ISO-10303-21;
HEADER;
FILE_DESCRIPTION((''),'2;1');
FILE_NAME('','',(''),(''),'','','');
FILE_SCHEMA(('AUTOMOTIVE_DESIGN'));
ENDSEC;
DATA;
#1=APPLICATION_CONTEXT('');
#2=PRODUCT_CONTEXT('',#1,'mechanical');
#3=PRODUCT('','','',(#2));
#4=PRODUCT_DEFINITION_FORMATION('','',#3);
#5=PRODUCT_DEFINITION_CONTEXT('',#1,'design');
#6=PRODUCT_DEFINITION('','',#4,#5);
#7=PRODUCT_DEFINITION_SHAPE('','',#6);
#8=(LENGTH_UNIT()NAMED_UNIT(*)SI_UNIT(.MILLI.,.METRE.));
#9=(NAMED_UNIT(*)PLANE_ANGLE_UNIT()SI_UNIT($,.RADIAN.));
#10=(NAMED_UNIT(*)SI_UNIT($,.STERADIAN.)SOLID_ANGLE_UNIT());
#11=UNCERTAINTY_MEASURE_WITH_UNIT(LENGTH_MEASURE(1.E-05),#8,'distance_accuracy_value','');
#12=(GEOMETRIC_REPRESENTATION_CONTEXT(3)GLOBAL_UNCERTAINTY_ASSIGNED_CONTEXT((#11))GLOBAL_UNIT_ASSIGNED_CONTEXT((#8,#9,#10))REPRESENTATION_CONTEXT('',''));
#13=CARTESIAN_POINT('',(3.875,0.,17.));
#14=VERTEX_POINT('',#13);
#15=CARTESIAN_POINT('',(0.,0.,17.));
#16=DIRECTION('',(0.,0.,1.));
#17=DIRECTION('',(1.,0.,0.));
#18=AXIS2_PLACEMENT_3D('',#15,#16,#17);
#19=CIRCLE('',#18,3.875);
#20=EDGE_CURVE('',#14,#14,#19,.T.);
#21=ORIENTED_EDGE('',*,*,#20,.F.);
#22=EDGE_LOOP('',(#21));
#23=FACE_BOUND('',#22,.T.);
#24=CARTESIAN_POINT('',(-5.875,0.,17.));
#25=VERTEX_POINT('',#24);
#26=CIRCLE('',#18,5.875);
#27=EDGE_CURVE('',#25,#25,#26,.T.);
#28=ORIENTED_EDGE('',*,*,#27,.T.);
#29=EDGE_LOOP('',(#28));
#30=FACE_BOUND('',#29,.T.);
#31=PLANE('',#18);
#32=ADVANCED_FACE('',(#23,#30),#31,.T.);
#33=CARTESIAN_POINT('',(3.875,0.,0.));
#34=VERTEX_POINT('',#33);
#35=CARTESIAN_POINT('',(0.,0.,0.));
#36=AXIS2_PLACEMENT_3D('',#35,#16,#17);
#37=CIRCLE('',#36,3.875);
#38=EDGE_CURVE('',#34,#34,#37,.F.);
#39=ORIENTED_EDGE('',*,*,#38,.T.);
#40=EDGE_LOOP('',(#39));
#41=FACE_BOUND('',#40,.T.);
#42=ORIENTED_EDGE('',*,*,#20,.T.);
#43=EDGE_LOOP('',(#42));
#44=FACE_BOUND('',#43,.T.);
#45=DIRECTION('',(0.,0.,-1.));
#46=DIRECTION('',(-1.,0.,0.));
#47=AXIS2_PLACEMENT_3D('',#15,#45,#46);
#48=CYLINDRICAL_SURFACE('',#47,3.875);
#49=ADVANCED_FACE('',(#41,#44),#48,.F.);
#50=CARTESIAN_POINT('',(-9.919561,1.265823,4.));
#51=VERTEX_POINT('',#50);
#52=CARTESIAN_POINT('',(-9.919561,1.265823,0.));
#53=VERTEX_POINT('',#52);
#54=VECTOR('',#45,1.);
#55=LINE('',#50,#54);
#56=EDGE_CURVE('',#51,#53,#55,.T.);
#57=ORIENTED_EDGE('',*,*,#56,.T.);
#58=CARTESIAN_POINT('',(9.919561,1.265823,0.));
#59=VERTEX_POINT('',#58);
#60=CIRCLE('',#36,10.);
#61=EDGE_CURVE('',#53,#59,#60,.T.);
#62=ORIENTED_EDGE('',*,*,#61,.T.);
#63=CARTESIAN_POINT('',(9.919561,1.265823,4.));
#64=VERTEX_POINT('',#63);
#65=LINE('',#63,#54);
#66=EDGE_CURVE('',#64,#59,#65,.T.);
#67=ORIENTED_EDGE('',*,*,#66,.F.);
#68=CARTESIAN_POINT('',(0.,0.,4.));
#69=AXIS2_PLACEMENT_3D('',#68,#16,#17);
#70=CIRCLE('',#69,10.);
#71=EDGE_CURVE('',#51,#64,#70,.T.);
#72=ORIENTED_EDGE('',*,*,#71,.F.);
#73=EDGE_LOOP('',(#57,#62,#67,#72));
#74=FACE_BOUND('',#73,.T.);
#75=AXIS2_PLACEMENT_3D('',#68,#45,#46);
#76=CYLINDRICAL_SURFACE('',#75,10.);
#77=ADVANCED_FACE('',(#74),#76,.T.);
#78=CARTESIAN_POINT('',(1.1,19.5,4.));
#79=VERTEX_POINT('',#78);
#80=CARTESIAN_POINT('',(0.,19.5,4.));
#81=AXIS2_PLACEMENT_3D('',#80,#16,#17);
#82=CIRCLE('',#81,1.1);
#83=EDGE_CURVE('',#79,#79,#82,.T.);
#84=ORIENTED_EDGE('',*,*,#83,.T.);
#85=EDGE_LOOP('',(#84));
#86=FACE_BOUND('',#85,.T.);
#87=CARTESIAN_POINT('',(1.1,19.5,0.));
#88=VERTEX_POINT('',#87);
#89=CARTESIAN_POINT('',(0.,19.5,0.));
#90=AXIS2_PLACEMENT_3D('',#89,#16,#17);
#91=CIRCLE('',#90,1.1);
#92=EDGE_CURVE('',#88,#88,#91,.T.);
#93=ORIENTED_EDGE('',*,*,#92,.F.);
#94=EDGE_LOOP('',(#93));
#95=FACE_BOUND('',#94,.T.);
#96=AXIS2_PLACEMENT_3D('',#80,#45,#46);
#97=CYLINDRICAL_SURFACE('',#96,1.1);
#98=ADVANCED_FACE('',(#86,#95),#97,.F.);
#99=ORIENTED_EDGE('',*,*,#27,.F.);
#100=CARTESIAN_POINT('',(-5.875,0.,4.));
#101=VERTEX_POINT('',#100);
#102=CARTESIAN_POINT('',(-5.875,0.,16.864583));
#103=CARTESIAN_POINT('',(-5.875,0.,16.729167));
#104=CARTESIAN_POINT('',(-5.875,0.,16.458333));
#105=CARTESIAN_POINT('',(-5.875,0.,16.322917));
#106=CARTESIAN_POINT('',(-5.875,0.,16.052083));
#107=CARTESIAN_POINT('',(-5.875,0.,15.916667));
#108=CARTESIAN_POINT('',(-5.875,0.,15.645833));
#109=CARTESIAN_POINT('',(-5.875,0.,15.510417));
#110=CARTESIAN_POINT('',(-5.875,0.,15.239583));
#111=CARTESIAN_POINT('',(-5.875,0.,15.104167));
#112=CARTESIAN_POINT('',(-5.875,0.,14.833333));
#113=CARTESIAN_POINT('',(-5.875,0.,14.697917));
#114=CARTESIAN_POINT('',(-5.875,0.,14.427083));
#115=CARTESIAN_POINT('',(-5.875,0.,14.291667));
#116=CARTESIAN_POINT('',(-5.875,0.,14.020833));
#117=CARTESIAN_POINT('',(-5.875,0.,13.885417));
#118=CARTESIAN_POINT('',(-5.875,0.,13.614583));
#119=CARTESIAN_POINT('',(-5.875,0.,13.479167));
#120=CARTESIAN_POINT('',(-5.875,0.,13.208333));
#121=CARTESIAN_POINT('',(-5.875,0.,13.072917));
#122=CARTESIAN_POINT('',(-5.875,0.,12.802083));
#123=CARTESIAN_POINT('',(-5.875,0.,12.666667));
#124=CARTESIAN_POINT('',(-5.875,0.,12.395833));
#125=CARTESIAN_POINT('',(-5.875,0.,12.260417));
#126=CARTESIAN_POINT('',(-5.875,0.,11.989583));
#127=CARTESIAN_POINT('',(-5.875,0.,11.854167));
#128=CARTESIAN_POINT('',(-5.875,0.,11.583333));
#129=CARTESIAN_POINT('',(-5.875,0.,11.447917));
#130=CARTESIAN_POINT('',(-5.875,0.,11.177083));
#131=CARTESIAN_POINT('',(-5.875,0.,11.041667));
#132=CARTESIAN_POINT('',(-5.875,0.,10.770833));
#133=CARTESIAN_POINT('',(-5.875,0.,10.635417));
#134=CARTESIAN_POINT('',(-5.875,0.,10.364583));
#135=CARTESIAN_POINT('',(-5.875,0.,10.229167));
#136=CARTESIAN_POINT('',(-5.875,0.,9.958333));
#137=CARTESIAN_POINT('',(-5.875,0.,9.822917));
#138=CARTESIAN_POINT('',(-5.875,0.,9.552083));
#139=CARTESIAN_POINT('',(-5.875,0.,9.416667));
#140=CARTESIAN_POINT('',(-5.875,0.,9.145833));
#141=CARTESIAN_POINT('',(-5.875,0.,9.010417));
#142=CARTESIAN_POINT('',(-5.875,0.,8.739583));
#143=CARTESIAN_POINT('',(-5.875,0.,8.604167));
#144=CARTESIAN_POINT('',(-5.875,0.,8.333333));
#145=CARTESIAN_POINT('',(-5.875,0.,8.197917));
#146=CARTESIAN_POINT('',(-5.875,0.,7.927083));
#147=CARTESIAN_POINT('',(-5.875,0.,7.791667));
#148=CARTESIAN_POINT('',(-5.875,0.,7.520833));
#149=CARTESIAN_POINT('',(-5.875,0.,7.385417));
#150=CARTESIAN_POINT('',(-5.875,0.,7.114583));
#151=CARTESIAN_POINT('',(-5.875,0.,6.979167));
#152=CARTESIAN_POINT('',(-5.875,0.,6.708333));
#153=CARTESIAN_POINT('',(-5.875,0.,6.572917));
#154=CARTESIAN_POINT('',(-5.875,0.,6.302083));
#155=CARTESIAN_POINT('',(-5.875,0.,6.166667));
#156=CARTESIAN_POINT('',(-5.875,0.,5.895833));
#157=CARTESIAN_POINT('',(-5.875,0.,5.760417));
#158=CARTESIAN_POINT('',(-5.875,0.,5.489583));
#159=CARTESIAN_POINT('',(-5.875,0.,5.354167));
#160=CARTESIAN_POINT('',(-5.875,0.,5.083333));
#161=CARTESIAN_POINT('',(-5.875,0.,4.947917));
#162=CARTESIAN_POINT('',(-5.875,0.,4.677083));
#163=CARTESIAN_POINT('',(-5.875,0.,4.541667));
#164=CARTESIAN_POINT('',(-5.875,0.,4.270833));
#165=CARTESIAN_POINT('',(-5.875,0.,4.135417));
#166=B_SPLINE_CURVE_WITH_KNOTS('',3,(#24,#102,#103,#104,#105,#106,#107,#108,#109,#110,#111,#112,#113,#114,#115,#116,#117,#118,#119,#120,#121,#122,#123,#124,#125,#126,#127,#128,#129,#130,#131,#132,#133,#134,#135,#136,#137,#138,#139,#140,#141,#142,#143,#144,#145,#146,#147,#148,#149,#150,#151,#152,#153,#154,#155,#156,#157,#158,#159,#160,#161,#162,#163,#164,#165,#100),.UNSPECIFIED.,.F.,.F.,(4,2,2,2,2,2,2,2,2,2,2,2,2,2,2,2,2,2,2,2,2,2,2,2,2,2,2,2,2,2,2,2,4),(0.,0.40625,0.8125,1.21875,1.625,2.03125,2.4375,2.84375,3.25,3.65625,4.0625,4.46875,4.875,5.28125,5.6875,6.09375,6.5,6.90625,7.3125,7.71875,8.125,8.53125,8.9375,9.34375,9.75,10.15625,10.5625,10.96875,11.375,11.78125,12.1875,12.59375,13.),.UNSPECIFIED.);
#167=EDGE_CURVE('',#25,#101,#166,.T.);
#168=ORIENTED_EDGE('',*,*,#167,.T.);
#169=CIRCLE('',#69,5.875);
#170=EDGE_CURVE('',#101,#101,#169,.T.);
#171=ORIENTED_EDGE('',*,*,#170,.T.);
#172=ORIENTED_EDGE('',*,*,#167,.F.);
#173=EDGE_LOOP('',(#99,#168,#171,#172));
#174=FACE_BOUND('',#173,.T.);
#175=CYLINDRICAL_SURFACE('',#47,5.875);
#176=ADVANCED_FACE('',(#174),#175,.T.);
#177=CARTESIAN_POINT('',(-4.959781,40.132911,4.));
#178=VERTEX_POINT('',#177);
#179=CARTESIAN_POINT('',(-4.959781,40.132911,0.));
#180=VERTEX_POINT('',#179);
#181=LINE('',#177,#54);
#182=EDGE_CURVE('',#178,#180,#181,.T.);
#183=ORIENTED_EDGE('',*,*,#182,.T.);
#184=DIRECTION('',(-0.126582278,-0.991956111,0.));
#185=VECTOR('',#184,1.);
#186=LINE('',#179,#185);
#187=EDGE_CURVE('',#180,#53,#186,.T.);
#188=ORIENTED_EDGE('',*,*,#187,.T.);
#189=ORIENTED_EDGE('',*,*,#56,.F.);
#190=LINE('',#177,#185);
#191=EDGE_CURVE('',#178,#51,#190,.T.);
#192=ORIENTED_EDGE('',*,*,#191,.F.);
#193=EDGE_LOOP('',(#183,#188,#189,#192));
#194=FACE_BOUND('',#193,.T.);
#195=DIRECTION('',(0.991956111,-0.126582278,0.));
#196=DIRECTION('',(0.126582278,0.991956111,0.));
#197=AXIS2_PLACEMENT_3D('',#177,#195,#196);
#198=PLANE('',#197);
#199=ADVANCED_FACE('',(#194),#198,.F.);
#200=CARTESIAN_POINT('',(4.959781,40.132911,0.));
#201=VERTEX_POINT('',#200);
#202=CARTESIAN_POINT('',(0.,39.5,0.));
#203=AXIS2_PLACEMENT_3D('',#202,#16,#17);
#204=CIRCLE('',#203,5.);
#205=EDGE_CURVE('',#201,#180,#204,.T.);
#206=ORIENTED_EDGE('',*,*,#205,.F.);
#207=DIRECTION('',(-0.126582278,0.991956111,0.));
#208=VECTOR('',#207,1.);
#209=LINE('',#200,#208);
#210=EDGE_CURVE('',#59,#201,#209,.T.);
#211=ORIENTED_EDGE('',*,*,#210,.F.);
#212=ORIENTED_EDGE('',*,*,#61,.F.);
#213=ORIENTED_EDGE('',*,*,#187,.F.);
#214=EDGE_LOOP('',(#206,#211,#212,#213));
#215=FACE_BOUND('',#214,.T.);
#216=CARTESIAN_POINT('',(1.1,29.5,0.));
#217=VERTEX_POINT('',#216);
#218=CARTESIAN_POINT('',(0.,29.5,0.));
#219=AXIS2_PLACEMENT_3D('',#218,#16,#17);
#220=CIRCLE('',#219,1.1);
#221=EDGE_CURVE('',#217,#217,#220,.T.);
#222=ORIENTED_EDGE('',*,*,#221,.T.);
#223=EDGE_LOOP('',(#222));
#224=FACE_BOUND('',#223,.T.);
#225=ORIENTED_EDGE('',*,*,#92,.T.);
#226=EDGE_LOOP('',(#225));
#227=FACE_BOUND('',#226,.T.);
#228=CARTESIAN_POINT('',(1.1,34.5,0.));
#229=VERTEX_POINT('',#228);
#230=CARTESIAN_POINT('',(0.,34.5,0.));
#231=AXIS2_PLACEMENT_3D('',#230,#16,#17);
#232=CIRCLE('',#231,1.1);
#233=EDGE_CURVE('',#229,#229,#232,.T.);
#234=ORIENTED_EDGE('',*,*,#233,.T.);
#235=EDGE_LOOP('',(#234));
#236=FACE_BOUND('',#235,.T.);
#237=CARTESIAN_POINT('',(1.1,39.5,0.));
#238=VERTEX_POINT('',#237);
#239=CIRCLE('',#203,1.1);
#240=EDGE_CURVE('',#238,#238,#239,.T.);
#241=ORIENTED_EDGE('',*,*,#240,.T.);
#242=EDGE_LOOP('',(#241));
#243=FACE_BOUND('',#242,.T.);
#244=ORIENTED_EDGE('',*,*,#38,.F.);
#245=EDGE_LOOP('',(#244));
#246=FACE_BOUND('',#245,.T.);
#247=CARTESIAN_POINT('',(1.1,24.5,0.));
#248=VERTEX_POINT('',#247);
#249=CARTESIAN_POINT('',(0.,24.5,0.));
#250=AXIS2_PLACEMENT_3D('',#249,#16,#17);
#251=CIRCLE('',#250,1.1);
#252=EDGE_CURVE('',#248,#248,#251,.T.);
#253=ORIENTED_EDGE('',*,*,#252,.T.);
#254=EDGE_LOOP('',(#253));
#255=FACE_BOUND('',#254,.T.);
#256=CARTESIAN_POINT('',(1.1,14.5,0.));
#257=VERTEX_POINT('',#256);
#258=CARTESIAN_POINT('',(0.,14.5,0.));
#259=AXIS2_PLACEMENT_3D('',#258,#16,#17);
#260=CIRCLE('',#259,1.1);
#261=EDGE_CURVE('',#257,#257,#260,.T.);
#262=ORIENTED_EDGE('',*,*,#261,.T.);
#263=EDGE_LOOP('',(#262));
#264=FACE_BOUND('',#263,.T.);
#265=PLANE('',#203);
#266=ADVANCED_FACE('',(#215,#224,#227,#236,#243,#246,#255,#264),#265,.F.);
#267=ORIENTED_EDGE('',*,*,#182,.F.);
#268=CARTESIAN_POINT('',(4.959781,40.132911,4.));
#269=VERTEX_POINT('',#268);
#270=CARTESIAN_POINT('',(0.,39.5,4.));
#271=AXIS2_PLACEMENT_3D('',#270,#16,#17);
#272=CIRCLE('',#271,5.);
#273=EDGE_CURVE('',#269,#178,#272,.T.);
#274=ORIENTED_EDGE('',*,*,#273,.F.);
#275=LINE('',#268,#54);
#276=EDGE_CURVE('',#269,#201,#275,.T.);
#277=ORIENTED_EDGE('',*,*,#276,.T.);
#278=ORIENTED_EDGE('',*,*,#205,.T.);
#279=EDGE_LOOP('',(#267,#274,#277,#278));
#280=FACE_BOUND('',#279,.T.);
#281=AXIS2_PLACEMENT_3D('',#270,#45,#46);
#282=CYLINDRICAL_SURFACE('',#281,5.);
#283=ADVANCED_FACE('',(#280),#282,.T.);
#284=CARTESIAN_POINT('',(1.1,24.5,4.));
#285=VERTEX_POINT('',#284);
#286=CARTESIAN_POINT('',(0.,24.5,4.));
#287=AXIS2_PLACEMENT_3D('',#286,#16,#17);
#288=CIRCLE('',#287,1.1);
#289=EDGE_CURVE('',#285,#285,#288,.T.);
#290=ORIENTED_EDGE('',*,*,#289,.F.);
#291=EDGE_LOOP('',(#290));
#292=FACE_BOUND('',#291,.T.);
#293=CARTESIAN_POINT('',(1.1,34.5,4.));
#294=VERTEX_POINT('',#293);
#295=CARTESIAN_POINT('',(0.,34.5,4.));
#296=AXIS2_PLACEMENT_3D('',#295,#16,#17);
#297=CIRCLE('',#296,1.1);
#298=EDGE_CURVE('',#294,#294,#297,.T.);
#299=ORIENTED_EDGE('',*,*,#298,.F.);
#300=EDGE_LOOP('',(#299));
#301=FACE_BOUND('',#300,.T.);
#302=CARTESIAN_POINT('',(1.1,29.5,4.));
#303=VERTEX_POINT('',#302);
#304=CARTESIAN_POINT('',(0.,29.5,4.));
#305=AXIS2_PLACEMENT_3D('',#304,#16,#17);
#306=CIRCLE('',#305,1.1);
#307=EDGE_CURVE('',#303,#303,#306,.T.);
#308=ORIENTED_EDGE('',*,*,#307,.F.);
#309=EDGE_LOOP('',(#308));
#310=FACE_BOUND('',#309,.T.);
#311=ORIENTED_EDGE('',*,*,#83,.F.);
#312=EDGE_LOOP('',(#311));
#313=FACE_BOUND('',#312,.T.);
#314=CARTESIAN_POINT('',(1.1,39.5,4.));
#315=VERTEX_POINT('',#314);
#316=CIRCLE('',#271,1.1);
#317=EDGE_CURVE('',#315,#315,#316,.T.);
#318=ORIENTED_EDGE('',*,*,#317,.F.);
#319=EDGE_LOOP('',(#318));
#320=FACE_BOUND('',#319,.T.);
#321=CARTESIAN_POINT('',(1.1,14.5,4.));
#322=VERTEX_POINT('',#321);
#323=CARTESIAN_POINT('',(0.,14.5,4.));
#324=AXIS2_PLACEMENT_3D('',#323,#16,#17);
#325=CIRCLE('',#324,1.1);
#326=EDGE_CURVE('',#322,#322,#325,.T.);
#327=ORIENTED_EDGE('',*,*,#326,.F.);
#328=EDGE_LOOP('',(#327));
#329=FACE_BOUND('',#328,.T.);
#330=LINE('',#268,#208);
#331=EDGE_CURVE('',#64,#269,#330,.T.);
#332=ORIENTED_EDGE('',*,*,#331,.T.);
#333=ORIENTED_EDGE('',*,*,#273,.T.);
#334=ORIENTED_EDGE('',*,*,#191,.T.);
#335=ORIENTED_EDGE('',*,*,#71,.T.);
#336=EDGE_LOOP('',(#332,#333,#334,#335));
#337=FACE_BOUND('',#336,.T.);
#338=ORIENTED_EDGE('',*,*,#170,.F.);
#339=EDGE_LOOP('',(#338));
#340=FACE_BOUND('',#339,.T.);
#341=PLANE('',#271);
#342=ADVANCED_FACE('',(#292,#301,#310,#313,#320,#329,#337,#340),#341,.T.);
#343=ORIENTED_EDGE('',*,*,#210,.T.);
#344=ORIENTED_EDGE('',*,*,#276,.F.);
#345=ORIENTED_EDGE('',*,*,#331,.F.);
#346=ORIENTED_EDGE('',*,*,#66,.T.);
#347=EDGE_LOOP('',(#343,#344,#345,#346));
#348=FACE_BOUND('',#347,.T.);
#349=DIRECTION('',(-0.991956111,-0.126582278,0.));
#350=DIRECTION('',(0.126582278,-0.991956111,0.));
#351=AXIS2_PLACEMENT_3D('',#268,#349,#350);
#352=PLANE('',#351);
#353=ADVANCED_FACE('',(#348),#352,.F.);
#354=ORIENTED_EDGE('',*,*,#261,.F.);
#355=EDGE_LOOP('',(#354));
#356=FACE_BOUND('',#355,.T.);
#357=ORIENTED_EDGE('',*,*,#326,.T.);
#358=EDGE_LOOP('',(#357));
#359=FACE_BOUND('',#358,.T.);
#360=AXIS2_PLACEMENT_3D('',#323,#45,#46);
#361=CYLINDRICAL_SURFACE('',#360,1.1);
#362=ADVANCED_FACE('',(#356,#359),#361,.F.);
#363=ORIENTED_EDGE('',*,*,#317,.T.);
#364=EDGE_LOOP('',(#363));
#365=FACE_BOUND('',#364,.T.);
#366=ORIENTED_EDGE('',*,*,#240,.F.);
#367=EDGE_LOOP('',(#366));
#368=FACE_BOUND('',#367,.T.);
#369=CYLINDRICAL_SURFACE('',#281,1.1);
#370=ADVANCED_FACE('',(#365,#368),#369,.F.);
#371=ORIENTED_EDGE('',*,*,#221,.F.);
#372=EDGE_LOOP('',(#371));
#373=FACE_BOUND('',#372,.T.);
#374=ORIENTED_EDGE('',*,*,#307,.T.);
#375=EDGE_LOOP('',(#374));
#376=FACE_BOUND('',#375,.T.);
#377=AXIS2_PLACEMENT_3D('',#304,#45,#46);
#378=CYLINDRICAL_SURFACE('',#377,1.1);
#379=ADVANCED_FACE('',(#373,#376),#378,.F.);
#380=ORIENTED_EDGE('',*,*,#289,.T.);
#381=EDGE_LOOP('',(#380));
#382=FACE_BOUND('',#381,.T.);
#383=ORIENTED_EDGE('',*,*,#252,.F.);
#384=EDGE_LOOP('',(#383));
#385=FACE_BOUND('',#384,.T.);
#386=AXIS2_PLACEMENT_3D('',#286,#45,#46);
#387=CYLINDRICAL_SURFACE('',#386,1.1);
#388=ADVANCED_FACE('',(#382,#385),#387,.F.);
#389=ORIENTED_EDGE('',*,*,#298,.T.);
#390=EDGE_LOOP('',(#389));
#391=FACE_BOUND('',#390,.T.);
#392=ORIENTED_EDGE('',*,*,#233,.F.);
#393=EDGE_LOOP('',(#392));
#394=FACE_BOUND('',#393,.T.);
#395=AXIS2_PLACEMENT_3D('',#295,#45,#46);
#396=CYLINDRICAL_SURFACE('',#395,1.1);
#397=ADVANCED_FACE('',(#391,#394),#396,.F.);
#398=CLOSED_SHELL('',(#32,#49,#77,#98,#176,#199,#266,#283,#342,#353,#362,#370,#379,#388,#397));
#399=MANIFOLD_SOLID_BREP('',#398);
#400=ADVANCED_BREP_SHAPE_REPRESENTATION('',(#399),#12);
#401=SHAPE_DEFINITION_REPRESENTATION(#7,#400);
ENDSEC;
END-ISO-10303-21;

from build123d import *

# Parameters (mm, degrees)
SKETCH1_R               = 1.1
BOSS_EXTRUDE1_DEPTH     = 4
SKETCH2_R               = 5.875
BOSS_EXTRUDE2_DEPTH     = 13
CUT_EXTRUDE1_DEPTH      = 49.674942219
CUT_EXTRUDE1_DEPTH_BACK = 49.674942219
SKETCH3_R               = 3.875


with BuildPart() as part:
    # Sketch1 → Boss-Extrude1 (new body)
    with BuildSketch(Plane.XY):
        with BuildLine():
            Line((-4.959780557, 40.132911392), (-9.919561113, 1.265822785))
            ThreePointArc((-9.919561113, 1.265822785), (0, -10), (9.919561113, 1.265822785))
            Line((9.919561113, 1.265822785), (4.959780557, 40.132911392))
            ThreePointArc((4.959780557, 40.132911392), (0, 44.5), (-4.959780557, 40.132911392))
        make_face()
        with Locations((0, 39.5)):
            Circle(SKETCH1_R, mode=Mode.SUBTRACT)
        with Locations((0, 34.5)):
            Circle(SKETCH1_R, mode=Mode.SUBTRACT)
        with Locations((0, 29.5)):
            Circle(SKETCH1_R, mode=Mode.SUBTRACT)
        with Locations((0, 24.5)):
            Circle(SKETCH1_R, mode=Mode.SUBTRACT)
        with Locations((0, 19.5)):
            Circle(SKETCH1_R, mode=Mode.SUBTRACT)
        with Locations((0, 14.5)):
            Circle(SKETCH1_R, mode=Mode.SUBTRACT)
    extrude(amount=BOSS_EXTRUDE1_DEPTH)

    # Sketch2 → Boss-Extrude2 (add)
    with BuildSketch(Plane.XY.offset(4)):
        with Locations(Location((0, 0, 0), (0, 0, 180))):
            Circle(SKETCH2_R)
    extrude(amount=BOSS_EXTRUDE2_DEPTH)

    # Sketch3 → Cut-Extrude1 (cut, two sides: drawn at the far end of the back side and taken through both)
    with BuildSketch(Plane.XY.offset(-CUT_EXTRUDE1_DEPTH_BACK)):
        Circle(SKETCH3_R)
    extrude(amount=CUT_EXTRUDE1_DEPTH + CUT_EXTRUDE1_DEPTH_BACK, mode=Mode.SUBTRACT)


solid = part.part
